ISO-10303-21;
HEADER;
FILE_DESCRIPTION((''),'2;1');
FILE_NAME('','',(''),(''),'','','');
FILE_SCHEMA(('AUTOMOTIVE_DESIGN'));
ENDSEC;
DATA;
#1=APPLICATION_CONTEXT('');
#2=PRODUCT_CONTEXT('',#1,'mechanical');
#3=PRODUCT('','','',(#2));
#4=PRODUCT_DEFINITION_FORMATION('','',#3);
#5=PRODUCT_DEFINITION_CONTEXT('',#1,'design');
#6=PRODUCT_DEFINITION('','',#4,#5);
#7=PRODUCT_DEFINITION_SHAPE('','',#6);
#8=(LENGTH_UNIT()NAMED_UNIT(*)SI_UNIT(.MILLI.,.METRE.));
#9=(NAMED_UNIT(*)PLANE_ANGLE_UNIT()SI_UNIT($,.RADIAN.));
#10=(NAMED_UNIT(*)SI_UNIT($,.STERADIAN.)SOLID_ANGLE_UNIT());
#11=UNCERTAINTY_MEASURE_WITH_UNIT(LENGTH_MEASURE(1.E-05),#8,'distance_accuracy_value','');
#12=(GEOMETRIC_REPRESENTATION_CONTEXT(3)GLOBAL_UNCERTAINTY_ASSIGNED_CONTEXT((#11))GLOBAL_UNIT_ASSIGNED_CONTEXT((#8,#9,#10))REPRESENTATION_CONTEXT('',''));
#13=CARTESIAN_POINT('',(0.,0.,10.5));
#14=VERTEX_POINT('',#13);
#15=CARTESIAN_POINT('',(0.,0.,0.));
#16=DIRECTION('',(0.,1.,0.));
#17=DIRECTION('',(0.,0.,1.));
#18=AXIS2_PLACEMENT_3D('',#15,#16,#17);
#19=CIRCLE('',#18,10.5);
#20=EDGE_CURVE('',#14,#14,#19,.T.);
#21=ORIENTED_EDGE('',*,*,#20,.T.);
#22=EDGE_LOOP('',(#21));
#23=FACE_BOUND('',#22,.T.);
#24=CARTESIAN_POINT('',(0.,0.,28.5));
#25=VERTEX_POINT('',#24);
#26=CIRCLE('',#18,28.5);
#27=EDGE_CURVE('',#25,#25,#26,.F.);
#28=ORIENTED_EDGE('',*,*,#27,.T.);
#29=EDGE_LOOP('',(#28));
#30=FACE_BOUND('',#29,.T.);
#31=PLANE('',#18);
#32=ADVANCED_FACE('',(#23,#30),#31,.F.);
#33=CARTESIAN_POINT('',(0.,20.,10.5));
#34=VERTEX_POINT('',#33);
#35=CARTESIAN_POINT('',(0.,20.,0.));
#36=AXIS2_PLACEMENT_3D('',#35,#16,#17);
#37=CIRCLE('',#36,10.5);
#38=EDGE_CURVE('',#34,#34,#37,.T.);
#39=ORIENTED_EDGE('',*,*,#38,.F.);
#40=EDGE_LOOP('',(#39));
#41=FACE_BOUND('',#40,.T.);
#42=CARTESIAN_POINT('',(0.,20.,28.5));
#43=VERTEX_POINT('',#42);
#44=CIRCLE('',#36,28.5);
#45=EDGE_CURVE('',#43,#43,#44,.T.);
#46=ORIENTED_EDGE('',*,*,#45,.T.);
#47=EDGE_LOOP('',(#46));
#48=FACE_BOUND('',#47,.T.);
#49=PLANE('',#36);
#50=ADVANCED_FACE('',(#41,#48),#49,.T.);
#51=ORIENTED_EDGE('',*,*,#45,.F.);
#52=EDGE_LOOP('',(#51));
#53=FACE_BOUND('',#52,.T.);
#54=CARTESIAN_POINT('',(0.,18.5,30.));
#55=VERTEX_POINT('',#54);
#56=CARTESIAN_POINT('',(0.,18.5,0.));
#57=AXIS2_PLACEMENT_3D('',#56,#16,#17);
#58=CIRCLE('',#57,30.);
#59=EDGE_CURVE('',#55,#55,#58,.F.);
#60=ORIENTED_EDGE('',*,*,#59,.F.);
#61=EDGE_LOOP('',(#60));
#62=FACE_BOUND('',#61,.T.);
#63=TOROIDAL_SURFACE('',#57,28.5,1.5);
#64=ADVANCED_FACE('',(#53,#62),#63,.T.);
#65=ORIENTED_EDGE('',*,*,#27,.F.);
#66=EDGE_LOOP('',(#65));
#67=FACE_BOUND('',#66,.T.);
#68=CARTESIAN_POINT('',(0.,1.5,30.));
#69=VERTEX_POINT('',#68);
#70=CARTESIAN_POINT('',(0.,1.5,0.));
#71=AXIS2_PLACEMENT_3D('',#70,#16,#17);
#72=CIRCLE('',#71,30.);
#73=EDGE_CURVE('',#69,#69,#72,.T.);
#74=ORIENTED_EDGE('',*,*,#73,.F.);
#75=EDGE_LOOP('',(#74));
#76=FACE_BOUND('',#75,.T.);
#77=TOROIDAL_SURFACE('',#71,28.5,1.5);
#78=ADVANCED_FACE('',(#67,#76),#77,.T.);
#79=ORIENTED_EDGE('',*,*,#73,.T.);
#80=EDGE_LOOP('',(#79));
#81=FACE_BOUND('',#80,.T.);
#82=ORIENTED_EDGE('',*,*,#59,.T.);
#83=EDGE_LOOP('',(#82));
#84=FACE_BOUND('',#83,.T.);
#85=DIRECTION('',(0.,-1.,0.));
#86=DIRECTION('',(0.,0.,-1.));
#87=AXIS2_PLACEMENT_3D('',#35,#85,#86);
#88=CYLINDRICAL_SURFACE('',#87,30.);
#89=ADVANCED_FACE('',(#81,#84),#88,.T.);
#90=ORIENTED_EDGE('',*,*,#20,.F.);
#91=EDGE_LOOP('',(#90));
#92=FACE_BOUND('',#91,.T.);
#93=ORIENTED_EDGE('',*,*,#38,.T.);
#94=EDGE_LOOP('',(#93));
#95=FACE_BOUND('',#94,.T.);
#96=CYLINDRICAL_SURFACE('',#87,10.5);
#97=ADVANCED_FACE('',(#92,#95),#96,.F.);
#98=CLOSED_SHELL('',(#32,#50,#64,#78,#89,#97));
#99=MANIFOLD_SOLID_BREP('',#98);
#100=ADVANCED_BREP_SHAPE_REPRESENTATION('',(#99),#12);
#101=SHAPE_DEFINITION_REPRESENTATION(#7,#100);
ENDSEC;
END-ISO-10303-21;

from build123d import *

# Parameters (mm, degrees)
SKETCH1_R           = 30
SKETCH1_R_2         = 10.5
BOSS_EXTRUDE1_DEPTH = 20
FILLET1_R           = 1.5


with BuildPart() as part:
    # Sketch1 → Boss-Extrude1 (new body)
    with BuildSketch(Plane(origin=(0, 0, 0), x_dir=(1, 0, 0), z_dir=(0, 1, 0))):
        with Locations(Location((0, 0, 0), (0, 0, 270))):
            Circle(SKETCH1_R)
        with Locations(Location((0, 0, 0), (0, 0, 270))):
            Circle(SKETCH1_R_2, mode=Mode.SUBTRACT)
    extrude(amount=BOSS_EXTRUDE1_DEPTH)

    # Fillet1
    fillet1_edges = [part.edges().sort_by_distance(p)[0] for p in [
        (0, 0, -30),
        (0, 20, -30),
    ]]
    fillet(fillet1_edges, radius=FILLET1_R)


solid = part.part
